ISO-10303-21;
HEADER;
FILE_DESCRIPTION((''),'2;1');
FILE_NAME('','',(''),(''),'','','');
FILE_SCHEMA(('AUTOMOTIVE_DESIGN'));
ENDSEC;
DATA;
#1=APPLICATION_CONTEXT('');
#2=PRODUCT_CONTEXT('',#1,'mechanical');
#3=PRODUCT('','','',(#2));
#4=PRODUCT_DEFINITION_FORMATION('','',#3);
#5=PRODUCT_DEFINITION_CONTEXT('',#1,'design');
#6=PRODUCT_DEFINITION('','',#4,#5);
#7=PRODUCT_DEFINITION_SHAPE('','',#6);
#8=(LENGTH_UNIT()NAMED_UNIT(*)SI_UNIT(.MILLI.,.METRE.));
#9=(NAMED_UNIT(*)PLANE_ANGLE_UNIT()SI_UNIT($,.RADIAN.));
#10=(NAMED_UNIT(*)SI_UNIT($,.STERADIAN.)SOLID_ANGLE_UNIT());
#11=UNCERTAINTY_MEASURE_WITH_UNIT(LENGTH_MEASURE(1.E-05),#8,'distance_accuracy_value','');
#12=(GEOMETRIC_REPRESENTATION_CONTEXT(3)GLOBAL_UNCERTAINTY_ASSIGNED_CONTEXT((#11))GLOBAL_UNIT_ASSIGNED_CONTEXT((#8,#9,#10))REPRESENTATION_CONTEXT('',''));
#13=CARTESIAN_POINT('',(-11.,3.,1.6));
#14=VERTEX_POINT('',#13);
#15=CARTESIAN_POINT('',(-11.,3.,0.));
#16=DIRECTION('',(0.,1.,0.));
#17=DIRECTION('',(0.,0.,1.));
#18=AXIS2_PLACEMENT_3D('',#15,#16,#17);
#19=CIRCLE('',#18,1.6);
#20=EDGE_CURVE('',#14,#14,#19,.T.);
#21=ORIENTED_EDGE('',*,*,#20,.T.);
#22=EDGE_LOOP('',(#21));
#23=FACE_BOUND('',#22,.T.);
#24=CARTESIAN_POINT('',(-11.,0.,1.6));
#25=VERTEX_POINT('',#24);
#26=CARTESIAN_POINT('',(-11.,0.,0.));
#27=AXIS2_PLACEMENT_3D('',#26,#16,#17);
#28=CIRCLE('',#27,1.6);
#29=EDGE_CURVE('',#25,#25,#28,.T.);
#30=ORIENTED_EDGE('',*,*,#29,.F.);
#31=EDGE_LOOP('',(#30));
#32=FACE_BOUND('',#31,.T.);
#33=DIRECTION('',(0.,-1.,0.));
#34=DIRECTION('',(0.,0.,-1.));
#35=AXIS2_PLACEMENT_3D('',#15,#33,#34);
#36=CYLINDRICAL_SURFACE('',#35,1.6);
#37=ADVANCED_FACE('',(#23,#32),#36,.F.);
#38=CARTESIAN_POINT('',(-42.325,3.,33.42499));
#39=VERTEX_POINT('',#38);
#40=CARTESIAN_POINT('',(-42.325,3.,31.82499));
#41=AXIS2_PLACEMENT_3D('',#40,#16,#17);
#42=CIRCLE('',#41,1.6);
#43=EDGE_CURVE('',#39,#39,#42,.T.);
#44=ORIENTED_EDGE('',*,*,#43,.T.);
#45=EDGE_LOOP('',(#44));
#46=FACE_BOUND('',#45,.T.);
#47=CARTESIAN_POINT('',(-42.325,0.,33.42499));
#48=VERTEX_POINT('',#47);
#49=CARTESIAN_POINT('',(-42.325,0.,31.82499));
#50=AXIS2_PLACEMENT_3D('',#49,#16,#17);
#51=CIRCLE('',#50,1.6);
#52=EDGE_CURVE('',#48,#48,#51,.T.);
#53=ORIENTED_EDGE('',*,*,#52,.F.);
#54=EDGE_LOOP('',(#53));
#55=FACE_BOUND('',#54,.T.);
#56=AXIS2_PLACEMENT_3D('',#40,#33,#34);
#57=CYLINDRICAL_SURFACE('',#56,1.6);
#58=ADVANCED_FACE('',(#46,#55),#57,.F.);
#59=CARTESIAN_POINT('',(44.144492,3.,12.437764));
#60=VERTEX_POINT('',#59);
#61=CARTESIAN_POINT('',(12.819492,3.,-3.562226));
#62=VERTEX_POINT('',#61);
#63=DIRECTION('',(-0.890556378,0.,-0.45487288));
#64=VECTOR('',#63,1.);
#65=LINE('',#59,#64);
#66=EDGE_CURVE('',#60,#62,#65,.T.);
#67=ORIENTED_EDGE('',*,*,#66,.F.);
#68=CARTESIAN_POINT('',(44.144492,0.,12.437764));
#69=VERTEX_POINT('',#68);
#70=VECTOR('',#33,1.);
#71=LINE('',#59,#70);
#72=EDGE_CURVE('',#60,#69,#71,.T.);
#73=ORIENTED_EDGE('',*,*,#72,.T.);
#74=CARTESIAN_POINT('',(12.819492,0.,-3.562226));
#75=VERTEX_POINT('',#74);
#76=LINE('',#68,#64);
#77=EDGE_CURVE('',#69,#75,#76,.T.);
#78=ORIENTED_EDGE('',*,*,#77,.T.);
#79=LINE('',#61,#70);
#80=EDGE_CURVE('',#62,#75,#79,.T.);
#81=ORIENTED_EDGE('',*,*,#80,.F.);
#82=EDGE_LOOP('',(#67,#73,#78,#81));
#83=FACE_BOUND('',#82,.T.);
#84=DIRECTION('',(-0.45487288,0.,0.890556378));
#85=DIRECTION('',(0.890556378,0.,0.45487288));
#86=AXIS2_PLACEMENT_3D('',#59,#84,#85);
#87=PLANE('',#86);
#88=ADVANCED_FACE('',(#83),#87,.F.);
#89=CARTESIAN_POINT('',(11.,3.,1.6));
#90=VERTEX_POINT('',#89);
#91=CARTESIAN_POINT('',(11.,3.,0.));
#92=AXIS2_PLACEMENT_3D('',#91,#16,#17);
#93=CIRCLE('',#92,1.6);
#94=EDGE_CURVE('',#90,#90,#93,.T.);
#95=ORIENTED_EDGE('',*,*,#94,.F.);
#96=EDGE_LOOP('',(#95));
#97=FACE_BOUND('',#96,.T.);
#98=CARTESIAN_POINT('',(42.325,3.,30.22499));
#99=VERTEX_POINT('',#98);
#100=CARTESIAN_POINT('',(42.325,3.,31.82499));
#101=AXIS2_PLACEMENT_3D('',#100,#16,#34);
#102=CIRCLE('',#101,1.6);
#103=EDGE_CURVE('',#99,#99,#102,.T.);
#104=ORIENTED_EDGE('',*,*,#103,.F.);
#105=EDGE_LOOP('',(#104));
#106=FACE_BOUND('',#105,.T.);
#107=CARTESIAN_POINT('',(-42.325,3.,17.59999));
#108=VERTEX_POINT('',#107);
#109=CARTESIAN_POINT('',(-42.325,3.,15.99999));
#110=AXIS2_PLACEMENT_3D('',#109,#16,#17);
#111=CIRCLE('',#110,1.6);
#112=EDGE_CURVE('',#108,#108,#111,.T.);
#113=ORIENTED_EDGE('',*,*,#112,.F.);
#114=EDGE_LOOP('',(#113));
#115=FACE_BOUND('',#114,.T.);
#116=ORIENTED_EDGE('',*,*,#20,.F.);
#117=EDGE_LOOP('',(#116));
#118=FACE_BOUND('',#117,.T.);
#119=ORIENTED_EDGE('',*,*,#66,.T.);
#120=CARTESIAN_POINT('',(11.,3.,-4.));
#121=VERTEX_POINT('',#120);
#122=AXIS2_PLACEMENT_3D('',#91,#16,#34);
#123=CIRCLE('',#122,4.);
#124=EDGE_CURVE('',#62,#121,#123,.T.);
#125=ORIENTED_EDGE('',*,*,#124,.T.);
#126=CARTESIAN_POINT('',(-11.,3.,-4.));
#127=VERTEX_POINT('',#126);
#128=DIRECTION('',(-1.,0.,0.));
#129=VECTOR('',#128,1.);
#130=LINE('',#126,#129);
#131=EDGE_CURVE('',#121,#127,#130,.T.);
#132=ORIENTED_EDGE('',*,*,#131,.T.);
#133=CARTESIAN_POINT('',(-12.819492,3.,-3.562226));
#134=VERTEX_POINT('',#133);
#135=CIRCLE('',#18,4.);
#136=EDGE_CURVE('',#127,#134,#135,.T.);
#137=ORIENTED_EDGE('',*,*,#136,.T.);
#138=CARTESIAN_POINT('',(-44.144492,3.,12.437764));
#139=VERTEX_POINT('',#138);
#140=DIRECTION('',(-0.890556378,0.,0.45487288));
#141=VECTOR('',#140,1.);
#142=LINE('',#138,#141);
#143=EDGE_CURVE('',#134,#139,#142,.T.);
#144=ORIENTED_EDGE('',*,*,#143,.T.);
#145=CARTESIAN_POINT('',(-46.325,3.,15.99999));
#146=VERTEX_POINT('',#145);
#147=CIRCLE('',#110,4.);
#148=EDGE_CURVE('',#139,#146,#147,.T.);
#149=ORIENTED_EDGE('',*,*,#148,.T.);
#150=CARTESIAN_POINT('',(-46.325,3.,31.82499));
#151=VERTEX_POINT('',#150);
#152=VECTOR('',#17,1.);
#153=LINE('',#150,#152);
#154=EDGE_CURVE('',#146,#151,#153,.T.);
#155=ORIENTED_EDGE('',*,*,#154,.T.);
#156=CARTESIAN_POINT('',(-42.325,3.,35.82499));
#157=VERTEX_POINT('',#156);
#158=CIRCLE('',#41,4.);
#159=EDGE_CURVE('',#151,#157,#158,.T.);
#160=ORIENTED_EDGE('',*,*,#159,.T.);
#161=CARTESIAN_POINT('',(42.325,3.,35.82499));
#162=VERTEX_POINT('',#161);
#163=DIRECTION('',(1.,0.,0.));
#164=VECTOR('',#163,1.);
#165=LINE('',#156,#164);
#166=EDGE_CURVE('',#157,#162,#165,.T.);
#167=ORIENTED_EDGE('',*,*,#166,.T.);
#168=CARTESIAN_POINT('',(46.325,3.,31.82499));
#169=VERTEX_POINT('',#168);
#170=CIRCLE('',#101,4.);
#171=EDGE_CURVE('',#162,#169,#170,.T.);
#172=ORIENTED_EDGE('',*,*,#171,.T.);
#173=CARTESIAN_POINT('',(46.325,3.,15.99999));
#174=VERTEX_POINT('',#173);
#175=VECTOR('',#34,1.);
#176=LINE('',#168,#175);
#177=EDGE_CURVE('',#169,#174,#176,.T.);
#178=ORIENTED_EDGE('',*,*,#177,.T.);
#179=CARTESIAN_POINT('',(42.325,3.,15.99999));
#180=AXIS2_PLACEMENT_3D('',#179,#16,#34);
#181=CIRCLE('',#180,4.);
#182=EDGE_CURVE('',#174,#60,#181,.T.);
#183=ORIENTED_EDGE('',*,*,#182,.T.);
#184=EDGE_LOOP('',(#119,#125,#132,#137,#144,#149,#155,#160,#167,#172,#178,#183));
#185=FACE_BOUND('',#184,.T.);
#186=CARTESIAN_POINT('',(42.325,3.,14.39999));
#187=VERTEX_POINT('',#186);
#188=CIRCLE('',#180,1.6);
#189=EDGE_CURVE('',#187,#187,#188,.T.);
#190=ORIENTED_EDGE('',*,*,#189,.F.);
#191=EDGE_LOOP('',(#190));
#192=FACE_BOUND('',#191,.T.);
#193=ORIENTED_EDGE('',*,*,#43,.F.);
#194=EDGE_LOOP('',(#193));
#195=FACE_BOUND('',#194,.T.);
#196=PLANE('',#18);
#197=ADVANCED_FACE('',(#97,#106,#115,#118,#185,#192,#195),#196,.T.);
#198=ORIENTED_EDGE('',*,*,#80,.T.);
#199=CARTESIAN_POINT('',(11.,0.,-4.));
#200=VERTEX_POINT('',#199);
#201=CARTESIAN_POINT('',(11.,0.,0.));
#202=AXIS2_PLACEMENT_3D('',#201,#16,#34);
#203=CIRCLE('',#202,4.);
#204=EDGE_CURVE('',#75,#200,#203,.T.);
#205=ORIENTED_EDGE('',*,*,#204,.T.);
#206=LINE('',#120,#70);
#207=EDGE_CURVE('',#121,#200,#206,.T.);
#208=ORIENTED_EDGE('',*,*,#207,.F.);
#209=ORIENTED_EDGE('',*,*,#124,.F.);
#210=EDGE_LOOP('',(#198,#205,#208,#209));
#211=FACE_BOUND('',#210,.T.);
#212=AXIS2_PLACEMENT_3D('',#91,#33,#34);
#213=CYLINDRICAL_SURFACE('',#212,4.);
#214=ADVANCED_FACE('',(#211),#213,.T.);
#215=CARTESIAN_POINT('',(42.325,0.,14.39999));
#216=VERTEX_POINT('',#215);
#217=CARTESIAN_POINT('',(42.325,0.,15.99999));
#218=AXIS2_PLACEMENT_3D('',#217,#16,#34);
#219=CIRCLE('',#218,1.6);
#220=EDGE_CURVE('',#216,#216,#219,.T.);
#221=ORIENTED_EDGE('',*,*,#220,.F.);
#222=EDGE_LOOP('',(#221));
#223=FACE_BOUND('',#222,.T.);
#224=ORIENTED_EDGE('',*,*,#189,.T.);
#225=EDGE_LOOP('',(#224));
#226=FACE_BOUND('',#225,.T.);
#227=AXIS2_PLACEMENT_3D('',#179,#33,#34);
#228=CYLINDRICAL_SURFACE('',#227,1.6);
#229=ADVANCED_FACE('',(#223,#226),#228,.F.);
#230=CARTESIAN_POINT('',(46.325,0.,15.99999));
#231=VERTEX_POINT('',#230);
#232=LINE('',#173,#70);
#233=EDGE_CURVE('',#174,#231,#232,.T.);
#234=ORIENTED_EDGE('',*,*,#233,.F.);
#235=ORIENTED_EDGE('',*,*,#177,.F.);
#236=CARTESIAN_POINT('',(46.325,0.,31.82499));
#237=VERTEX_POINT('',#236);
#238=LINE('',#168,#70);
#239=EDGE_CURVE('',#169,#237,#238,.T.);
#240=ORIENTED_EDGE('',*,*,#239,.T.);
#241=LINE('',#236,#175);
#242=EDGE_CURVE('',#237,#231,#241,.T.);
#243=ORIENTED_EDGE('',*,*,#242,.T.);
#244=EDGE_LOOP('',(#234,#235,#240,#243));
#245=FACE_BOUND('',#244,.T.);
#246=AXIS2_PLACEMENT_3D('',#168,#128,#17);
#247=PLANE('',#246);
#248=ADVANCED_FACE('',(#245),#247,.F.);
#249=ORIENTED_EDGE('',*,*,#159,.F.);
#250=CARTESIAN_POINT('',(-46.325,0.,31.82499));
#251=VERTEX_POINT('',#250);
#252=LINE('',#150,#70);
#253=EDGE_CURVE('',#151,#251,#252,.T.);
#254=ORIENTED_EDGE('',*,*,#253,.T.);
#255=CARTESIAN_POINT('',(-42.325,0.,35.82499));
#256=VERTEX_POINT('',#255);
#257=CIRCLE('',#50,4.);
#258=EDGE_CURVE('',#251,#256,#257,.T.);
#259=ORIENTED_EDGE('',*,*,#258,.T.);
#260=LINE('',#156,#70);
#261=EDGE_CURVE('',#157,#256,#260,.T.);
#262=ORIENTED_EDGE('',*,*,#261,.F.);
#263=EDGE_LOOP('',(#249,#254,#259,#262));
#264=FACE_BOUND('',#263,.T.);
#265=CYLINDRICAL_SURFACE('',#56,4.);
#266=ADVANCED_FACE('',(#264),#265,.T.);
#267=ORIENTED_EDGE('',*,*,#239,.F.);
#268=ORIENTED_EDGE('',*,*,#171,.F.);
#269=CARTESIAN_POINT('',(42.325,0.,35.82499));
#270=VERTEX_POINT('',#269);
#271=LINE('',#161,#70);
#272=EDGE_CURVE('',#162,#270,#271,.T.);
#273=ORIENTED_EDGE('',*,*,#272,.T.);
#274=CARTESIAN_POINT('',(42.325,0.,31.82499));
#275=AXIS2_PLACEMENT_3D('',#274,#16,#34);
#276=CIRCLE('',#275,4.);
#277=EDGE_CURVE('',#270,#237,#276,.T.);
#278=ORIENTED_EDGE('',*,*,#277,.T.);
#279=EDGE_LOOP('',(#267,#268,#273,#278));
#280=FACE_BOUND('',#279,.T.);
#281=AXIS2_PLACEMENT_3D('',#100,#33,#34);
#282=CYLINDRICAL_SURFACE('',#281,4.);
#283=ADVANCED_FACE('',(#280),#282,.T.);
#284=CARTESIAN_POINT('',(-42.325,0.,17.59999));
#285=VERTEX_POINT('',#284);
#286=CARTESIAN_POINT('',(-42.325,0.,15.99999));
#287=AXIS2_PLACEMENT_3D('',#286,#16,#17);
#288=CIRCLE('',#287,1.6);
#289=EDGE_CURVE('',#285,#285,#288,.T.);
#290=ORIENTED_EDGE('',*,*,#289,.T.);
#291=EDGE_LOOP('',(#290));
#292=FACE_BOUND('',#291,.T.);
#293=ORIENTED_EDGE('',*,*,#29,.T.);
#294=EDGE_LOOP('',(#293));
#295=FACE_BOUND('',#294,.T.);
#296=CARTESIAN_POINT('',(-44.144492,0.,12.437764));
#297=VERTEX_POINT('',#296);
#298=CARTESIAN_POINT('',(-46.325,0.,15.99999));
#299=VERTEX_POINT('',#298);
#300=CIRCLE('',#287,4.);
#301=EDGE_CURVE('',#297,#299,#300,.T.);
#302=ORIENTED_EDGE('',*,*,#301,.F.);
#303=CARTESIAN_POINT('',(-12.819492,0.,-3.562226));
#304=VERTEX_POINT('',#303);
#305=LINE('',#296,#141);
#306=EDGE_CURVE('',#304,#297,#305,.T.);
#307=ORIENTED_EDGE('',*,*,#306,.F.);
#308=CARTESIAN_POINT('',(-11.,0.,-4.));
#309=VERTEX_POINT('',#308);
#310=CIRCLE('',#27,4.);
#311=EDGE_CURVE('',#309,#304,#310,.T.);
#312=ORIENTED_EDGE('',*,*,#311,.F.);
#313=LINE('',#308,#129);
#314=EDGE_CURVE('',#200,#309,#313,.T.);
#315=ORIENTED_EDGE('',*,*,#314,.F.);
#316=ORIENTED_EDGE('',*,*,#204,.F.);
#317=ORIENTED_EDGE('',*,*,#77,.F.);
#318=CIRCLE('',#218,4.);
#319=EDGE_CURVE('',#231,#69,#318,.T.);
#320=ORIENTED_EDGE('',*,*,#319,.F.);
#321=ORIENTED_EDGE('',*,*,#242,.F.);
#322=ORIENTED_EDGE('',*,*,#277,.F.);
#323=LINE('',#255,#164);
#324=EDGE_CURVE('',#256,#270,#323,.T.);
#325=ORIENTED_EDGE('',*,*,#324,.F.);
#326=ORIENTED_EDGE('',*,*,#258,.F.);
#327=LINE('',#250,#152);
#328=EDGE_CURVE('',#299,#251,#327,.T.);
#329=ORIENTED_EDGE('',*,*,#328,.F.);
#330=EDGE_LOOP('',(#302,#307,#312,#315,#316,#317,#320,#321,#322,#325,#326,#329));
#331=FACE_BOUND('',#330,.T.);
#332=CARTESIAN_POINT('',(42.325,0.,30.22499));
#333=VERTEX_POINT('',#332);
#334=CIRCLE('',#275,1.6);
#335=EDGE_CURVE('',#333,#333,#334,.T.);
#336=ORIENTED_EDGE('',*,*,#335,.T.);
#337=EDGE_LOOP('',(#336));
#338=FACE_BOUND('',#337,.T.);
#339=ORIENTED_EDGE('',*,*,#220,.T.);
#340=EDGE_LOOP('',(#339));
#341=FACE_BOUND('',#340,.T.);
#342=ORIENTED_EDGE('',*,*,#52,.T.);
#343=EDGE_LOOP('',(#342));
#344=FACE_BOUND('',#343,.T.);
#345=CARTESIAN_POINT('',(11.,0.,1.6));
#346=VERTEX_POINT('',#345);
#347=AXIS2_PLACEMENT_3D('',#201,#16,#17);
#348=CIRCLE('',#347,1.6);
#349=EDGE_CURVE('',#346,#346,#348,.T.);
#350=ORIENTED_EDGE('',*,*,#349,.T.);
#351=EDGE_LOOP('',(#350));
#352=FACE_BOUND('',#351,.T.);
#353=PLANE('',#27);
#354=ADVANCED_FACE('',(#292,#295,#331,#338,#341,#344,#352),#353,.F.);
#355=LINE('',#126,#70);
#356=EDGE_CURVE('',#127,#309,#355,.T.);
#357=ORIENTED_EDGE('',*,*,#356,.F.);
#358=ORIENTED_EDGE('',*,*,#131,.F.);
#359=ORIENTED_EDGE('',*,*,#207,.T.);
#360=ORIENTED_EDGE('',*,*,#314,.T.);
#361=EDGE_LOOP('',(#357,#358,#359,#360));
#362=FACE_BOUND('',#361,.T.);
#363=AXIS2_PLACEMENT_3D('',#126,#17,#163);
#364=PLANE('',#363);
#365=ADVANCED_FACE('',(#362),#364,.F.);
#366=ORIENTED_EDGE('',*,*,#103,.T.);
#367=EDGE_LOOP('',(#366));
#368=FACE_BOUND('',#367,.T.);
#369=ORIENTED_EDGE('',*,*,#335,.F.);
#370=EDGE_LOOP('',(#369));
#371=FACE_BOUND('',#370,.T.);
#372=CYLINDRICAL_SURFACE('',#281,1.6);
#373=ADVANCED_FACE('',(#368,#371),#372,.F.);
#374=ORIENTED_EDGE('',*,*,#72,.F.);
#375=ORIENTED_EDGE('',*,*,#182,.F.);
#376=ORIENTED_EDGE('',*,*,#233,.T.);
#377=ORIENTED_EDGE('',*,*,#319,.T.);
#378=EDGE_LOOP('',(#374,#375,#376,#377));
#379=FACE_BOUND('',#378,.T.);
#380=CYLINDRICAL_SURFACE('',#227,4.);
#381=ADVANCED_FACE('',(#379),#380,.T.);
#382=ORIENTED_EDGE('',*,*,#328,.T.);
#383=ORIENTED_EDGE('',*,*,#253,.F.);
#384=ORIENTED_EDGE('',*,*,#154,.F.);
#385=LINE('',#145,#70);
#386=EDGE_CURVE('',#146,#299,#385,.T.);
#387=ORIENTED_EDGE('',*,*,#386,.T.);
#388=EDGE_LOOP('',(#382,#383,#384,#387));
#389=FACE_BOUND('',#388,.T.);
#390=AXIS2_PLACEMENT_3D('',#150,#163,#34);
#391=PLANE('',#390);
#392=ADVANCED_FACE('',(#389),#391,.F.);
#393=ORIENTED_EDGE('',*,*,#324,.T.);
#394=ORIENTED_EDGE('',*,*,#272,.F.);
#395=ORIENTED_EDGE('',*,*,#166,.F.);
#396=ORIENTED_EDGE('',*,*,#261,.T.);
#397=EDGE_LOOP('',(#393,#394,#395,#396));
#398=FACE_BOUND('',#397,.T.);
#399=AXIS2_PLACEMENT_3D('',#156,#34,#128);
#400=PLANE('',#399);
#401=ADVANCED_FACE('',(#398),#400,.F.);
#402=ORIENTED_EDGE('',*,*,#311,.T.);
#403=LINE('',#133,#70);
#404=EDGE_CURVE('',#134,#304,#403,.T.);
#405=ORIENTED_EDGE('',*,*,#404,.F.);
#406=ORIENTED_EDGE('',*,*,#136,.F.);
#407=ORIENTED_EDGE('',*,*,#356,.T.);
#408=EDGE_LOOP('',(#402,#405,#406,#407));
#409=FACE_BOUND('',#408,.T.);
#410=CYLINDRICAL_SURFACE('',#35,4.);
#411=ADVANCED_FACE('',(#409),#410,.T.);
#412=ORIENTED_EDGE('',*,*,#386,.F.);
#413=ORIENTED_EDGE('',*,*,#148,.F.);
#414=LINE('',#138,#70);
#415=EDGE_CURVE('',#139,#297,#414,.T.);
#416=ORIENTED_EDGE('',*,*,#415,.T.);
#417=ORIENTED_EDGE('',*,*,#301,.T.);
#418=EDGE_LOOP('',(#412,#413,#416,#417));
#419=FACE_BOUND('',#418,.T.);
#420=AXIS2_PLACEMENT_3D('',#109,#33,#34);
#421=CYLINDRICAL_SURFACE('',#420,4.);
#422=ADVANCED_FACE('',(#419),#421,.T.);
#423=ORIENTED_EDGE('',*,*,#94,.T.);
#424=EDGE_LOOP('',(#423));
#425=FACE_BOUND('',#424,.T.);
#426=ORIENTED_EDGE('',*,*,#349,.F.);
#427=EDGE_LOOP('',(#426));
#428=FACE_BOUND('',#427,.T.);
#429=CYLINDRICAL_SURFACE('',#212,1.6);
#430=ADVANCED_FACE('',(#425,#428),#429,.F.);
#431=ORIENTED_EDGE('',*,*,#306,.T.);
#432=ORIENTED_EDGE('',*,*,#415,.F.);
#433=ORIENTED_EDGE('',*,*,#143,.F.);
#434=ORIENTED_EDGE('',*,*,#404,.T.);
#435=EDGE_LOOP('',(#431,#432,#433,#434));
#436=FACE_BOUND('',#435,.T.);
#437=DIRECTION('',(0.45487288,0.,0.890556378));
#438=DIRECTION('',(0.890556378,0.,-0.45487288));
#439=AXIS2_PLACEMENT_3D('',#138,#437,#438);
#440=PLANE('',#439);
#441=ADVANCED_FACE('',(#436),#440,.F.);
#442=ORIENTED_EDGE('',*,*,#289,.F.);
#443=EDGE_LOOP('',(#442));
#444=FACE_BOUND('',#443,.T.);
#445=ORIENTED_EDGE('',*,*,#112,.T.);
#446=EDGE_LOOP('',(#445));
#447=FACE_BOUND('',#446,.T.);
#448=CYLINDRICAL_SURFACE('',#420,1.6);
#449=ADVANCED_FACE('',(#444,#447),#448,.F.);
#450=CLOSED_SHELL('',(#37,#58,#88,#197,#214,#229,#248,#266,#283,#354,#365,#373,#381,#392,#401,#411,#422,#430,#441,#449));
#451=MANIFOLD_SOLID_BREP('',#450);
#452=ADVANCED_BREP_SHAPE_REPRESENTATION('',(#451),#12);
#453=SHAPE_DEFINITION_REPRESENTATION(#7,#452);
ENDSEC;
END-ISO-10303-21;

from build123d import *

# Parameters (mm, degrees)
SKETCH1_R           = 1.6
BOSS_EXTRUDE1_DEPTH = 3


with BuildPart() as part:
    # Sketch1 → Boss-Extrude1 (new body)
    with BuildSketch(Plane(origin=(0, 0, 0), x_dir=(1, 0, 0), z_dir=(0, 1, 0))):
        with BuildLine():
            Line((-46.325, -31.824989817), (-46.325, -15.999989817))
            ThreePointArc((-46.325, -15.999989817), (-45.736595381, -13.911685012), (-44.144491522, -12.437764304))
            Line((-44.144491522, -12.437764304), (-12.819491522, 3.562225512))
            ThreePointArc((-12.819491522, 3.562225512), (-11.93570774, 3.889016717), (-11, 4))
            Line((-11, 4), (11, 4))
            ThreePointArc((11, 4), (11.93570774, 3.889016717), (12.819491522, 3.562225512))
            Line((12.819491522, 3.562225512), (44.144491522, -12.437764304))
            ThreePointArc((44.144491522, -12.437764304), (45.736595381, -13.911685012), (46.325, -15.999989817))
            Line((46.325, -15.999989817), (46.325, -31.824989817))
            ThreePointArc((46.325, -31.824989817), (45.153427125, -34.653416941), (42.325, -35.824989817))
            Line((42.325, -35.824989817), (-42.325, -35.824989817))
            ThreePointArc((-42.325, -35.824989817), (-45.153427125, -34.653416941), (-46.325, -31.824989817))
        make_face()
        with Locations(Location((-42.325, -31.824989817, 0), (0, 0, 270))):
            Circle(SKETCH1_R, mode=Mode.SUBTRACT)
        with Locations(Location((-42.325, -15.999989817, 0), (0, 0, 270))):
            Circle(SKETCH1_R, mode=Mode.SUBTRACT)
        with Locations(Location((42.325, -31.824989817, 0), (0, 0, 90))):
            Circle(SKETCH1_R, mode=Mode.SUBTRACT)
        with Locations(Location((42.325, -15.999989817, 0), (0, 0, 90))):
            Circle(SKETCH1_R, mode=Mode.SUBTRACT)
        with Locations(Location((-11, 0, 0), (0, 0, 270))):
            Circle(SKETCH1_R, mode=Mode.SUBTRACT)
        with Locations(Location((11, 0, 0), (0, 0, 270))):
            Circle(SKETCH1_R, mode=Mode.SUBTRACT)
    extrude(amount=BOSS_EXTRUDE1_DEPTH)


solid = part.part
